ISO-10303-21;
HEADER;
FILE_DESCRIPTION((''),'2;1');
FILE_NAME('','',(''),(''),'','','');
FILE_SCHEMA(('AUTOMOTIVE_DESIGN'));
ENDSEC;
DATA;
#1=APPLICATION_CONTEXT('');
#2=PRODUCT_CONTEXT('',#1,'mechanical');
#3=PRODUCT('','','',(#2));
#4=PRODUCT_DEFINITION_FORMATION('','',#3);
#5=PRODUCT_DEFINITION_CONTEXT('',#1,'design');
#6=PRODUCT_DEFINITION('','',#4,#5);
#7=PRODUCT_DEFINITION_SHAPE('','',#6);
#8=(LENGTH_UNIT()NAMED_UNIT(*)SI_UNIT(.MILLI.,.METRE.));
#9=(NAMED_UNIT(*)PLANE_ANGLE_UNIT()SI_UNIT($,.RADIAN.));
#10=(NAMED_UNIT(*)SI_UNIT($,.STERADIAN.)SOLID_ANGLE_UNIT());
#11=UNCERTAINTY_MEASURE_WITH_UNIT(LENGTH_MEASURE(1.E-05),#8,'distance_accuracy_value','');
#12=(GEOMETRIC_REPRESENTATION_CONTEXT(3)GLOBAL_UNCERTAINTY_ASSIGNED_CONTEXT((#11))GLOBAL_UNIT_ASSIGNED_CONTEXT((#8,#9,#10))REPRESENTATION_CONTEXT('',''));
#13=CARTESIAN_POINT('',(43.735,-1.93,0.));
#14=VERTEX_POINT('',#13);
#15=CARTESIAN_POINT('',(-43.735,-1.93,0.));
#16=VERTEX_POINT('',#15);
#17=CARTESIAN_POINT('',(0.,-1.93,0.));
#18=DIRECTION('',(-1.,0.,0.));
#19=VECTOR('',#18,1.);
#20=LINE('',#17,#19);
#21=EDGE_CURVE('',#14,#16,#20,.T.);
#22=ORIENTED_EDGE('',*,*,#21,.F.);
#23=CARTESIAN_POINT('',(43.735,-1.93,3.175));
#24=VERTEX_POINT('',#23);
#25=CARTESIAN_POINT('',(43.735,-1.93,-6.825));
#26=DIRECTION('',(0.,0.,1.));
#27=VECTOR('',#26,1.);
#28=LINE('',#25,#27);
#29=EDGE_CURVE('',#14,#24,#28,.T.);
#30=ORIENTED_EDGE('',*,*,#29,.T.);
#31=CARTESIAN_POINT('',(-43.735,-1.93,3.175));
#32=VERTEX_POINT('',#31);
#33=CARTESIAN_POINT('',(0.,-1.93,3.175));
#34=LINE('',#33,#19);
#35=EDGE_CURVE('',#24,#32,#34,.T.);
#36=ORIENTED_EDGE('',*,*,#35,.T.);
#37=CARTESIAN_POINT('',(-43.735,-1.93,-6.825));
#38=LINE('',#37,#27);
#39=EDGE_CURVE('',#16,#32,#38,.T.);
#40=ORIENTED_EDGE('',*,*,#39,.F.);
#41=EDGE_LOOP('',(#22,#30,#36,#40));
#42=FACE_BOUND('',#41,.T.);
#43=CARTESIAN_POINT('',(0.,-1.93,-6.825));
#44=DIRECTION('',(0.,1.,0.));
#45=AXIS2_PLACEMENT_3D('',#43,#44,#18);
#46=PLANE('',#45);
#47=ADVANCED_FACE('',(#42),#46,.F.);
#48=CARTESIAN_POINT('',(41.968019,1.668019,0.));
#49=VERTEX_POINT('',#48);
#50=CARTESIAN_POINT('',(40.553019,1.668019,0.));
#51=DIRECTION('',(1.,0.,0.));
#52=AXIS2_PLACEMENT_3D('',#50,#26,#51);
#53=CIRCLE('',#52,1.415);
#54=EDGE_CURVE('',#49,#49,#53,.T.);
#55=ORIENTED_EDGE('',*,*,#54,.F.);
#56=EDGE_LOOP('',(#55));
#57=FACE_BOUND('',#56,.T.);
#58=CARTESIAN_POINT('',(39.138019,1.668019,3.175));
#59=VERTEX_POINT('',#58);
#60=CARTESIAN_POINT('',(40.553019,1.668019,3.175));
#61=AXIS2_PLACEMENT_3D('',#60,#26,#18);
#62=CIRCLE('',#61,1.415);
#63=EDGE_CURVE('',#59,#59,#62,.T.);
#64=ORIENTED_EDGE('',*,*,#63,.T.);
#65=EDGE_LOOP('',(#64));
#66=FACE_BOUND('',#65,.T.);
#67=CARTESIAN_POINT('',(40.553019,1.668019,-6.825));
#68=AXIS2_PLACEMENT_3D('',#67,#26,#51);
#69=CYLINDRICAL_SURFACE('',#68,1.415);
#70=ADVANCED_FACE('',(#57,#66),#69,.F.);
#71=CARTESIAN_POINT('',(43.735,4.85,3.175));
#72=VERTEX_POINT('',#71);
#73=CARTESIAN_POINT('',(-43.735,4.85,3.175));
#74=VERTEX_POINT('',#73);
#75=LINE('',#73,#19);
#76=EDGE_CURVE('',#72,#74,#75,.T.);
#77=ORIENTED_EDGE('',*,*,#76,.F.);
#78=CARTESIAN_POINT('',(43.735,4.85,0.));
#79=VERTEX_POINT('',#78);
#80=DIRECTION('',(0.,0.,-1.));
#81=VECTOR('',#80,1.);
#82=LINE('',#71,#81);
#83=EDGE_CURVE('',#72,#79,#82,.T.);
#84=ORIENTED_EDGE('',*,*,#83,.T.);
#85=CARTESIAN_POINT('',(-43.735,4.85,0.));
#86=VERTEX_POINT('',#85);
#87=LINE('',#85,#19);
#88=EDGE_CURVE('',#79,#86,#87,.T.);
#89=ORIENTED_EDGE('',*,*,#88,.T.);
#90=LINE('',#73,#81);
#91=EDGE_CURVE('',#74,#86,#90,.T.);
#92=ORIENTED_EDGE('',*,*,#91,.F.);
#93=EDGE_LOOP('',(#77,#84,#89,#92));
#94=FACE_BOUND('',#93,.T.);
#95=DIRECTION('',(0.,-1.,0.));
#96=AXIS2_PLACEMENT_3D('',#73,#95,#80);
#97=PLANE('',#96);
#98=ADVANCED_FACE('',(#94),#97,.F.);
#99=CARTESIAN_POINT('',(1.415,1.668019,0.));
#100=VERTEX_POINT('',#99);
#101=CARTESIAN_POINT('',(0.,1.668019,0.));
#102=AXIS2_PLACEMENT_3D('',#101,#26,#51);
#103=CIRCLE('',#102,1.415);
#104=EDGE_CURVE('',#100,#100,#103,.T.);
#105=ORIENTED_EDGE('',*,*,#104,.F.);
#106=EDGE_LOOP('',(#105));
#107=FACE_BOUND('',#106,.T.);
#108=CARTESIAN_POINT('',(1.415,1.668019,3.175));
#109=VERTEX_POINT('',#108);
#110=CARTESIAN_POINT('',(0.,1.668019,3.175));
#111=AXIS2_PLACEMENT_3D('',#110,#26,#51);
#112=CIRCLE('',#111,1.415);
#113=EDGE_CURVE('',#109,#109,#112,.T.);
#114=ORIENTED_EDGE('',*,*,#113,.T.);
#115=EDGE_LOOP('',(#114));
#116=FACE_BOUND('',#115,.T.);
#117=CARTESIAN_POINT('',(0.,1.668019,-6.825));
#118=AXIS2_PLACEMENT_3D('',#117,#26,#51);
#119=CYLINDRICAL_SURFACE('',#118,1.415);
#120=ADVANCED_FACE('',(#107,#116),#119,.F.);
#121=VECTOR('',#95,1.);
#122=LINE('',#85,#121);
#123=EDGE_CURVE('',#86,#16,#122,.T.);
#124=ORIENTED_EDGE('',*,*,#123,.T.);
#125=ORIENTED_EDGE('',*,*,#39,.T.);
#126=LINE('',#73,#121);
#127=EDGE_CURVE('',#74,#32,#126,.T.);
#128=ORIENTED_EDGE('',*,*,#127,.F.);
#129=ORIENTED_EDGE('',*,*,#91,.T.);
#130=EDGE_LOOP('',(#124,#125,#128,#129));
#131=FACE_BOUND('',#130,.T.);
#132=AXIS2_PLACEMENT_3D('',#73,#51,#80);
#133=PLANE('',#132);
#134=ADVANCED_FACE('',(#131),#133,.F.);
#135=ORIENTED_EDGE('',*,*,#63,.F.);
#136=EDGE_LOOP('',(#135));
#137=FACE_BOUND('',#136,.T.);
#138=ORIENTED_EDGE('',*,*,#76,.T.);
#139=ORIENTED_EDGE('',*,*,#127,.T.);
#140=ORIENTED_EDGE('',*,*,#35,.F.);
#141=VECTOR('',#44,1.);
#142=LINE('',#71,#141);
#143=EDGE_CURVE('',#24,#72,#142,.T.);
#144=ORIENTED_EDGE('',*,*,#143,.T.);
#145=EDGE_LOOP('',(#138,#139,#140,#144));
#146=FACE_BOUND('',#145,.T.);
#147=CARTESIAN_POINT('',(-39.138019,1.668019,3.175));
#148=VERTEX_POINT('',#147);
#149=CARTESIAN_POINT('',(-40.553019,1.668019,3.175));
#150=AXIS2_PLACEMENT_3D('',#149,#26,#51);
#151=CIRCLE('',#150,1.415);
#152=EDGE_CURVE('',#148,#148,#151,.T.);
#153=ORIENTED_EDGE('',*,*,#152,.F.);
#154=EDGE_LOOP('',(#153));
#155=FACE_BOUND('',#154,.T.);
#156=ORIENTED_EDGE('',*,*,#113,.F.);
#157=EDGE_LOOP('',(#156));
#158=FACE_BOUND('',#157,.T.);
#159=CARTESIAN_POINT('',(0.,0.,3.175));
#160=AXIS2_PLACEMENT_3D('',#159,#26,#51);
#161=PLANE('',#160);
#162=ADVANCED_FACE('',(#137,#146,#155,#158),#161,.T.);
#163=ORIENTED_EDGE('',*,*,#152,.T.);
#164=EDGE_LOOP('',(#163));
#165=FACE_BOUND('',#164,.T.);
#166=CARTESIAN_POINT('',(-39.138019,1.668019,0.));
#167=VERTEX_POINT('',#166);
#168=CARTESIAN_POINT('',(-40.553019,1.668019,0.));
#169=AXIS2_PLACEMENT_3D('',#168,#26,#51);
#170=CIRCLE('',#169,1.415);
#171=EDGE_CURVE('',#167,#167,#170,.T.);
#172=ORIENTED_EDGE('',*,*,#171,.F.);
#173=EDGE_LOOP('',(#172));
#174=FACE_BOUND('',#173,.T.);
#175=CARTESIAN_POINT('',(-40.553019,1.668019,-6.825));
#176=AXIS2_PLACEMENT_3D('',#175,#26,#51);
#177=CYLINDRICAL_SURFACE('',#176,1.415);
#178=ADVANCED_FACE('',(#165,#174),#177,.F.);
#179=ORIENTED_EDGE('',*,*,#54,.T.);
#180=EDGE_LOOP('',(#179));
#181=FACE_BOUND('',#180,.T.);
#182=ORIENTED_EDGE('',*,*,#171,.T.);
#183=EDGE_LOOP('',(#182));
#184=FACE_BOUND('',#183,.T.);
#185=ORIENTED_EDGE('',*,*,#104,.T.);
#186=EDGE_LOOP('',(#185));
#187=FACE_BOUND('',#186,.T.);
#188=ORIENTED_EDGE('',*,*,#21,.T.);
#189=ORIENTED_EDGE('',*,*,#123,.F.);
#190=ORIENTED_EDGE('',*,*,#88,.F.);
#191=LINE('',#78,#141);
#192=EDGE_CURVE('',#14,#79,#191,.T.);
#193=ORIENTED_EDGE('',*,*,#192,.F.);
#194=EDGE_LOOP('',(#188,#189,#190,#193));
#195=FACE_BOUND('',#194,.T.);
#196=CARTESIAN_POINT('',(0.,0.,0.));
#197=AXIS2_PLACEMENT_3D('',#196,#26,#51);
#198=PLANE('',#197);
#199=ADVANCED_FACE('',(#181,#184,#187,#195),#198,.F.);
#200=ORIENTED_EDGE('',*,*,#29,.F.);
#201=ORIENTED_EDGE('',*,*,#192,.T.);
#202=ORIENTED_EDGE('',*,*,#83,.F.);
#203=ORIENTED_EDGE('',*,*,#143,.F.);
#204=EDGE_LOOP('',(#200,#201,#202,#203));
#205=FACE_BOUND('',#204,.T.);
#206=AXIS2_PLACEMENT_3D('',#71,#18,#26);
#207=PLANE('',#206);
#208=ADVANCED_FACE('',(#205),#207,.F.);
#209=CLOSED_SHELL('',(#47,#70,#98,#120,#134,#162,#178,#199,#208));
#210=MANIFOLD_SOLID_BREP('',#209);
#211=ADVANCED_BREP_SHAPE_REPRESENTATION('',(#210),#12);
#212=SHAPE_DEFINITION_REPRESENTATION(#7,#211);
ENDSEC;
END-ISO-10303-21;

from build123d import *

# Parameters (mm, degrees)
SKETCH1_W           = 87.47
SKETCH1_H           = 9.7
BOSS_EXTRUDE1_DEPTH = 3.175
SKETCH3_R           = 1.415
CUT_EXTRUDE1_DEPTH  = 10
CUT_EXTRUDE2_DEPTH  = 10


with BuildPart() as part:
    # Sketch1 → Boss-Extrude1 (new body)
    with BuildSketch(Plane.XY):
        Rectangle(SKETCH1_W, SKETCH1_H)
    extrude(amount=BOSS_EXTRUDE1_DEPTH)

    # Sketch3 → Cut-Extrude1 (cut)
    with BuildSketch(Plane.XY.offset(3.175)):
        with Locations((-40.553019485, 1.668019485)):
            Circle(SKETCH3_R)
        with Locations((0, 1.668019485)):
            Circle(SKETCH3_R)
        with Locations((40.553019485, 1.668019485)):
            Circle(SKETCH3_R)
    extrude(amount=-CUT_EXTRUDE1_DEPTH, mode=Mode.SUBTRACT)

    # Sketch4 → Cut-Extrude2 (cut)
    with BuildSketch(Plane.XY.offset(3.175)):
        Polygon((0, -1.93), (-43.735, -1.93), (-43.735, -4.85), (43.735, -4.85), (43.735, -1.93), align=None)
    extrude(amount=-CUT_EXTRUDE2_DEPTH, mode=Mode.SUBTRACT)


solid = part.part
